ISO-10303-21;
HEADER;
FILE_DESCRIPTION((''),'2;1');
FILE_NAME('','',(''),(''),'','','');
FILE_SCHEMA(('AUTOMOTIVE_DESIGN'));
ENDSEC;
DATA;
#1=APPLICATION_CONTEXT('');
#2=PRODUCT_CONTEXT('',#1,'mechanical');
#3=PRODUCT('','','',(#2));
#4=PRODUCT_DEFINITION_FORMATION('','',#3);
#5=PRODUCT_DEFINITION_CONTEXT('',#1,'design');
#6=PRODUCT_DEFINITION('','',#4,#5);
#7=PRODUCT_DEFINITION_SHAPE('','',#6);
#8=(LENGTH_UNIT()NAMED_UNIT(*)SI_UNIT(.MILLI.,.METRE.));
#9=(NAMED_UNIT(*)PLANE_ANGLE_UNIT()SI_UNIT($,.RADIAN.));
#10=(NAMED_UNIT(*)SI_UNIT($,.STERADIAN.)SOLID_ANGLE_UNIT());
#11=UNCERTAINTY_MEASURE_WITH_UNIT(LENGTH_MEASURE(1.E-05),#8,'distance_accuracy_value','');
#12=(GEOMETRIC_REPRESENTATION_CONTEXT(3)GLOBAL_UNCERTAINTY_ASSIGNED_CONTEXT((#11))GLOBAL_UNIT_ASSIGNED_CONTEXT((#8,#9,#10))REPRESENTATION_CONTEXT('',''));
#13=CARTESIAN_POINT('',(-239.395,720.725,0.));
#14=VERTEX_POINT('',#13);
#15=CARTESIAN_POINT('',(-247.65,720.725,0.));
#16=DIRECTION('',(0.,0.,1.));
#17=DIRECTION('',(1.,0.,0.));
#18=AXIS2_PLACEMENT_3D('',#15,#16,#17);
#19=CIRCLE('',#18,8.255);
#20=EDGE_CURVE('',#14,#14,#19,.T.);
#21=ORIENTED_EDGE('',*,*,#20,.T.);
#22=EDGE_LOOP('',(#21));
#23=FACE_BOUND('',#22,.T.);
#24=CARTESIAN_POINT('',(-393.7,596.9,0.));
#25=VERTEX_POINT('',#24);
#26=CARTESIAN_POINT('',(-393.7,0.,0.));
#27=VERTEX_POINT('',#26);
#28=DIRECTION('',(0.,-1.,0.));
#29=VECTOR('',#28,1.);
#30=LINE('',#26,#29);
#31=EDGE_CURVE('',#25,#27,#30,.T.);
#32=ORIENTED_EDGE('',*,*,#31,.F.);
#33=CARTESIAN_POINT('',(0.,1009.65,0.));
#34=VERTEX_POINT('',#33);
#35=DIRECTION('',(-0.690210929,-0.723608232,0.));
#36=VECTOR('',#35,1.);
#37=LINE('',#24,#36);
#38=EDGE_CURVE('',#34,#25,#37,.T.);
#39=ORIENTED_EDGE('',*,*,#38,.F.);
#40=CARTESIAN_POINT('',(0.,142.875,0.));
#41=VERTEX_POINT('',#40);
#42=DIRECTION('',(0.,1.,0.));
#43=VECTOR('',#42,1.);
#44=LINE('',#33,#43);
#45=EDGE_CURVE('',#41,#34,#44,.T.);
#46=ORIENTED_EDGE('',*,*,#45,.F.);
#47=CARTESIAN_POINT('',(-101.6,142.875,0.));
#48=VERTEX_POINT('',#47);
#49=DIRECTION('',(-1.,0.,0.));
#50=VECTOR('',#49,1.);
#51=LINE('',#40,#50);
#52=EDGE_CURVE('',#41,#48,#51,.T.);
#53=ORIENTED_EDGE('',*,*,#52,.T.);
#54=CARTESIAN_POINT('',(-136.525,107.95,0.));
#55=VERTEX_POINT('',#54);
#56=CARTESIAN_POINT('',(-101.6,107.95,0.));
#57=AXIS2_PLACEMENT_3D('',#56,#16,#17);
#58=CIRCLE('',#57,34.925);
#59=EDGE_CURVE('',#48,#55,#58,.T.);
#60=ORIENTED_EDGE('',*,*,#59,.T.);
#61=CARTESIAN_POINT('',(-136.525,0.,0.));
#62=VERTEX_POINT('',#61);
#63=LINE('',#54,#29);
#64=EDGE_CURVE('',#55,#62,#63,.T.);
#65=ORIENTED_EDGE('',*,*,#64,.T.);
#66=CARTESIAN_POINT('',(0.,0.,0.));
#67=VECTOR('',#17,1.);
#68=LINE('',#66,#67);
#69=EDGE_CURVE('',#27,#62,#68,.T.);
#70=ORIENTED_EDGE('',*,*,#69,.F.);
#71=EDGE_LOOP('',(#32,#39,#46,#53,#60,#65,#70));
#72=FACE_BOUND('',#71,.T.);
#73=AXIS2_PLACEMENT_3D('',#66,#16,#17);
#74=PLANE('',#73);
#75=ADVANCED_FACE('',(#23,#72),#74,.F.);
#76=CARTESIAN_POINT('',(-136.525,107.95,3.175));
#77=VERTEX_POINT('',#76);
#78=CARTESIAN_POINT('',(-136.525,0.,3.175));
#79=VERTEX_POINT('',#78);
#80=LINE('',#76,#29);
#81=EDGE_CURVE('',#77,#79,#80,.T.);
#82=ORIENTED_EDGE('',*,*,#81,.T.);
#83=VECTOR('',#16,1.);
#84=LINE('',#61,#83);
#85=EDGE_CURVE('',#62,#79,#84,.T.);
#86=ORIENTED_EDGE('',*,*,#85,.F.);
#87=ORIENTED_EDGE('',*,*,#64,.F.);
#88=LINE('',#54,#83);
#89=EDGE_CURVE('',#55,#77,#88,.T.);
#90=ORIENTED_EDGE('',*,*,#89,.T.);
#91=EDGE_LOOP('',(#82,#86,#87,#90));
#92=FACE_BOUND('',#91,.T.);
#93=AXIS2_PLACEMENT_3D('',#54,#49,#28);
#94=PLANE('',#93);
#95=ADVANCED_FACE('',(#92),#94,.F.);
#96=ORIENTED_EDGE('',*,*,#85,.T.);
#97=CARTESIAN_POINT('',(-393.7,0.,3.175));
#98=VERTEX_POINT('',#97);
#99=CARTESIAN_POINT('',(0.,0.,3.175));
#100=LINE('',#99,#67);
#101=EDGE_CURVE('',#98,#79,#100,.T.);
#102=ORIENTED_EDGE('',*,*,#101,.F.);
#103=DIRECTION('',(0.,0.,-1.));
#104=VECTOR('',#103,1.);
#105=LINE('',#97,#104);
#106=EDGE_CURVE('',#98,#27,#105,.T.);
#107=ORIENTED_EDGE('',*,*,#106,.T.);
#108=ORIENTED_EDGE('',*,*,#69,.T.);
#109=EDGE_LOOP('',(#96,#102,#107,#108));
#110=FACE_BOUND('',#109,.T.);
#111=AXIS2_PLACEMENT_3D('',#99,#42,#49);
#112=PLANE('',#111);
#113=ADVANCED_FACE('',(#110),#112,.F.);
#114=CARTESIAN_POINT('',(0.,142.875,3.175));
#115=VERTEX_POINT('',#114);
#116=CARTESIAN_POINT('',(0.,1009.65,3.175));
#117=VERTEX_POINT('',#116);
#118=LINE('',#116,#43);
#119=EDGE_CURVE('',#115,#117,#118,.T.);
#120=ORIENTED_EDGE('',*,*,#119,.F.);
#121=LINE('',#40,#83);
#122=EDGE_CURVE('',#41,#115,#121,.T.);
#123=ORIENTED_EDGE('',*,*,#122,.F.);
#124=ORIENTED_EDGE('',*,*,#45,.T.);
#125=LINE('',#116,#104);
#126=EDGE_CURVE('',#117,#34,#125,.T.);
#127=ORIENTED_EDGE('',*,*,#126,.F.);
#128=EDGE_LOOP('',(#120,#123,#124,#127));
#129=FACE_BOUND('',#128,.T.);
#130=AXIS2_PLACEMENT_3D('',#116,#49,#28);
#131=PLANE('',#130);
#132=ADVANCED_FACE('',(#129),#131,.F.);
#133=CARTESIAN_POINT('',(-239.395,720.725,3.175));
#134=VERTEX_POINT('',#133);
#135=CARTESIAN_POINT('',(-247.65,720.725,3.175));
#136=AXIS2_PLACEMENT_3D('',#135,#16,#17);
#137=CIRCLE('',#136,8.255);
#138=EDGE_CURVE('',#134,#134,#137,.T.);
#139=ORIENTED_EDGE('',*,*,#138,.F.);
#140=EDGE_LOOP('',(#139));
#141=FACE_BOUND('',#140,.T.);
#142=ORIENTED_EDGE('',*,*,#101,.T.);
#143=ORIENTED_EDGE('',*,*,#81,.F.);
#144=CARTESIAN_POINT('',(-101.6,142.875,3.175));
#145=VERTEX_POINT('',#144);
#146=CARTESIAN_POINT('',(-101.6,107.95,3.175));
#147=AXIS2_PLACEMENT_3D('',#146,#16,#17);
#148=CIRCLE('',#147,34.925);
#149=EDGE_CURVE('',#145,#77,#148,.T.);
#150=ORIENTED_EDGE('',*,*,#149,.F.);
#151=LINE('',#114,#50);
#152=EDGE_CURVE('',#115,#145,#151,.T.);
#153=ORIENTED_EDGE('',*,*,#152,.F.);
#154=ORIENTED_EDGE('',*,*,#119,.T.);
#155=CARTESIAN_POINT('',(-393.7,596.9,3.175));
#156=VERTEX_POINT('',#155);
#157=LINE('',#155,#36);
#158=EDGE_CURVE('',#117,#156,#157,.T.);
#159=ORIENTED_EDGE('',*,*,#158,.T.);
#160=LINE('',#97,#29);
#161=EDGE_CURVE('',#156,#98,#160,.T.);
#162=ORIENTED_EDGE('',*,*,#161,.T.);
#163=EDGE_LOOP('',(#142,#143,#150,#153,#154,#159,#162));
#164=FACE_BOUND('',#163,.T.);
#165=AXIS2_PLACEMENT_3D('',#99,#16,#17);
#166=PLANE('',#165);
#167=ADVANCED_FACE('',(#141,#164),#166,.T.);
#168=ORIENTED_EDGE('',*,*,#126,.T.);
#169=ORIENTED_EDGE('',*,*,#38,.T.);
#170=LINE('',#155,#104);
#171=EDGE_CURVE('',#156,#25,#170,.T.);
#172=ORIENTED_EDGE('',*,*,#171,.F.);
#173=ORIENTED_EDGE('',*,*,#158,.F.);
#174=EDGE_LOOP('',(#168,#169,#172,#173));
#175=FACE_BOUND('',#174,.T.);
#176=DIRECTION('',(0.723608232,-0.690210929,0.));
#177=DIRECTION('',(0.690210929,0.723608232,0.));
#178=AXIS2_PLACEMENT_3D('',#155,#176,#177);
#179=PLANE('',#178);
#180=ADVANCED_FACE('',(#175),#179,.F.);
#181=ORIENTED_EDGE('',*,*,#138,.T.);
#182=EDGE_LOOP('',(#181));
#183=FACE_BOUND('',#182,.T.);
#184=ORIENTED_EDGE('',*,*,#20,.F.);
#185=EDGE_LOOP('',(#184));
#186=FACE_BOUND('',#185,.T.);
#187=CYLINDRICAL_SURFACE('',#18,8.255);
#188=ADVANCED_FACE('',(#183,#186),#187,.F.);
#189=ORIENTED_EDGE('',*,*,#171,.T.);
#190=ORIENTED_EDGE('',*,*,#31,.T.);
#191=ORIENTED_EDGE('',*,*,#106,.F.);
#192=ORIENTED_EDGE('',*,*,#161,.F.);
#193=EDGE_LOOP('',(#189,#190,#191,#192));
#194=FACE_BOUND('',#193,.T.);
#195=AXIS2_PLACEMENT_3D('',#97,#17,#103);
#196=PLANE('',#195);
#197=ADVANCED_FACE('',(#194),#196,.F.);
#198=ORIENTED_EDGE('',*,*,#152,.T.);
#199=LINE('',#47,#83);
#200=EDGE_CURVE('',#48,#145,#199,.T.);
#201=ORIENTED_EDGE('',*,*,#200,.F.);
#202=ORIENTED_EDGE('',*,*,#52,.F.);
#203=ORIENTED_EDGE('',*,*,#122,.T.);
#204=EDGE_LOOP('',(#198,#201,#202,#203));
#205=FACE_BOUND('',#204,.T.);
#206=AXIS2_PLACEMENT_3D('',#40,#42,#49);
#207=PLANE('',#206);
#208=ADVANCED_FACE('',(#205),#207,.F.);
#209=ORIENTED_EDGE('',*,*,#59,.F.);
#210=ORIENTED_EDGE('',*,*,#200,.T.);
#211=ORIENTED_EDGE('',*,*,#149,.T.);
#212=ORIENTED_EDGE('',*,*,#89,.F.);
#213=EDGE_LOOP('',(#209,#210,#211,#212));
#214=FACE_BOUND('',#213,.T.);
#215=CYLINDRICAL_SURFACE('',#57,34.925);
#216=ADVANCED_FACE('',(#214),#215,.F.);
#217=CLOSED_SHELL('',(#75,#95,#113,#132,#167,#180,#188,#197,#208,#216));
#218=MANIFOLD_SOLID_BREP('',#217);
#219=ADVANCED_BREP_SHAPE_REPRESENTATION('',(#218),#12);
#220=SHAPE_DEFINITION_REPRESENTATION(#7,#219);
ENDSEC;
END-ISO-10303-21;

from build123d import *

# Parameters (mm, degrees)
BOSS_EXTRUDE1_DEPTH = 3.175
SKETCH5_R           = 8.255
CUT_EXTRUDE3_DEPTH  = 4.175
CUT_EXTRUDE4_DEPTH  = 4.175


with BuildPart() as part:
    # Sketch1 → Boss-Extrude1 (new body)
    with BuildSketch(Plane.XY):
        Polygon((0, 0), (-393.7, 0), (-393.7, 596.9), (0, 1009.65), align=None)
    extrude(amount=BOSS_EXTRUDE1_DEPTH)

    # Sketch5 → Cut-Extrude3 (cut, through all)
    with BuildSketch(Plane.XY.offset(3.175)):
        with Locations((-247.65, 720.725)):
            Circle(SKETCH5_R)
    extrude(amount=-CUT_EXTRUDE3_DEPTH, mode=Mode.SUBTRACT)

    # Sketch6 → Cut-Extrude4 (cut, through all)
    with BuildSketch(Plane.XY.offset(3.175)):
        with BuildLine():
            Line((0, 142.875), (-101.6, 142.875))
            ThreePointArc((-101.6, 142.875), (-126.295704333, 132.645704333), (-136.525, 107.95))
            Line((-136.525, 107.95), (-136.525, 0))
            Line((-136.525, 0), (0, 0))
            Line((0, 0), (0, 142.875))
        make_face()
    extrude(amount=-CUT_EXTRUDE4_DEPTH, mode=Mode.SUBTRACT)


solid = part.part
